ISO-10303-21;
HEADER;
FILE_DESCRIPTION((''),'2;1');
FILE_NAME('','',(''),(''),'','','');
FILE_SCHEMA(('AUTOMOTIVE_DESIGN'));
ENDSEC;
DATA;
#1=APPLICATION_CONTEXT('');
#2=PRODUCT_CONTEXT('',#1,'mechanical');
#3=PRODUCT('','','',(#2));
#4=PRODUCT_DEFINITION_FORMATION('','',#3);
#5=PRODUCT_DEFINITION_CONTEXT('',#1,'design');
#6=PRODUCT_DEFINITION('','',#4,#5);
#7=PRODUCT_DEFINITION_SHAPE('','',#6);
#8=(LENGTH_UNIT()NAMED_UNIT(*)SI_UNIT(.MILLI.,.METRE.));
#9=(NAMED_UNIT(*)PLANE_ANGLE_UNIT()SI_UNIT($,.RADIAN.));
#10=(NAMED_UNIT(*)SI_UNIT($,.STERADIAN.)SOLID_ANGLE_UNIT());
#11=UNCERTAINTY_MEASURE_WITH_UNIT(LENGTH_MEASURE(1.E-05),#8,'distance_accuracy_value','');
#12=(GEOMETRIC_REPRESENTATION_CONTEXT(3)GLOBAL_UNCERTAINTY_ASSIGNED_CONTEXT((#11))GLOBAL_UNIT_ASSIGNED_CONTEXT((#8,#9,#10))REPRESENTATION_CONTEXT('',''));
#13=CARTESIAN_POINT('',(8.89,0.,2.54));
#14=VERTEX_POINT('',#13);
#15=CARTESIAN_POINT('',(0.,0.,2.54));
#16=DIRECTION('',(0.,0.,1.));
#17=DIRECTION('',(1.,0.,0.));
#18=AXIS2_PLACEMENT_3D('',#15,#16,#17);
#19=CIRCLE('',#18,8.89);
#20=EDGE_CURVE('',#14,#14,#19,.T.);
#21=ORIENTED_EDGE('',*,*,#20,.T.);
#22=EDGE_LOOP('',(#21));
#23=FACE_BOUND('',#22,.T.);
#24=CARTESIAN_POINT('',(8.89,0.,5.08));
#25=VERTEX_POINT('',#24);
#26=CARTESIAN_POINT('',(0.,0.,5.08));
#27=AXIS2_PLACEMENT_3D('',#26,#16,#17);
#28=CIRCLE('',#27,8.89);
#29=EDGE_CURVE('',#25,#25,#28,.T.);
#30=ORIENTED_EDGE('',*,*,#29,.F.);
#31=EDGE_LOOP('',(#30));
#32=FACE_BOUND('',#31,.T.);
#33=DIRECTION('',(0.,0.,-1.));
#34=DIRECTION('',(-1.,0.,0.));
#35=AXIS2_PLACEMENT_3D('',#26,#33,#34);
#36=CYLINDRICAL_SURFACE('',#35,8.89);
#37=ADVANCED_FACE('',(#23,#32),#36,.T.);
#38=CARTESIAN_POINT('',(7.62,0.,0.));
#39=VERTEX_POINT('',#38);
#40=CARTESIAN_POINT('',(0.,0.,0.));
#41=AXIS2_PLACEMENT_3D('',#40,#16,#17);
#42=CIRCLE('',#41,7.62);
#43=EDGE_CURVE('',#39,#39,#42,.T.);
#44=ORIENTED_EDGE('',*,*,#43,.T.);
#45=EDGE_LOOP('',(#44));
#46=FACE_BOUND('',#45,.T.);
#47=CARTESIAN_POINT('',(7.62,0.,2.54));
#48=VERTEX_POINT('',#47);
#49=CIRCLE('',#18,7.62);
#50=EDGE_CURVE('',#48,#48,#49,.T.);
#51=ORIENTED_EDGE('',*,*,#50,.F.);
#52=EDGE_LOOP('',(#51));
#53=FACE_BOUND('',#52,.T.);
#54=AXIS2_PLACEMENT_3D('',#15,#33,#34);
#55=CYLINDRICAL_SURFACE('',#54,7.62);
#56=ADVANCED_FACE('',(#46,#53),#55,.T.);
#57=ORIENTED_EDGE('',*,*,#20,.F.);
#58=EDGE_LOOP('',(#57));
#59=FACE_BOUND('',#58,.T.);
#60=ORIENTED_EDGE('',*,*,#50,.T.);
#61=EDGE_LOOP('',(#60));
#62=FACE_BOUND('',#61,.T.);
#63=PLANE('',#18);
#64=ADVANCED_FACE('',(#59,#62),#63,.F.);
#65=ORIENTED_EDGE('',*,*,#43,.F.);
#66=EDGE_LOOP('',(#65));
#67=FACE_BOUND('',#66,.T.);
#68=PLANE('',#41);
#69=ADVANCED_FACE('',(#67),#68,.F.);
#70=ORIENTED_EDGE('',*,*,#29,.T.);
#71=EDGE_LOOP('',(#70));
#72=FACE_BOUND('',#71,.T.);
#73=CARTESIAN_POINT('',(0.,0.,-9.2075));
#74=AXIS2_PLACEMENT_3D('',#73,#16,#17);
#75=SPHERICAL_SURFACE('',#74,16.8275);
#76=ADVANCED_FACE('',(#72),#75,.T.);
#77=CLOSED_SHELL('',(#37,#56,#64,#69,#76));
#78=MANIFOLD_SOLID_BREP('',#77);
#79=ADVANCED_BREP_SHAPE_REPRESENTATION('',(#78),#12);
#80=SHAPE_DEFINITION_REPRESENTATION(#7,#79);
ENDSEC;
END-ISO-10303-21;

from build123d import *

# Parameters (mm, degrees)
SKETCH1_R         = 7.62
EXTRUDE1_DEPTH    = 2.54
SKETCH2_R         = 8.89
EXTRUDE2_DEPTH    = 2.54
DOME1_FACE_RADIUS = 8.89
DOME1_HEIGHT      = 2.54


with BuildPart() as part:
    # Sketch1 → Extrude1 (new body)
    with BuildSketch(Plane.XY):
        Circle(SKETCH1_R)
    extrude(amount=EXTRUDE1_DEPTH)

    # Sketch2 → Extrude2 (add)
    with BuildSketch(Plane.XY.offset(2.54)):
        Circle(SKETCH2_R)
    extrude(amount=EXTRUDE2_DEPTH)

    # Dome1: a dome of height H over a round flat face of radius A is a cap of a sphere of radius (A * A + H * H) / (2 * H)
    dome1_r = (DOME1_FACE_RADIUS * DOME1_FACE_RADIUS + DOME1_HEIGHT * DOME1_HEIGHT) / (2 * DOME1_HEIGHT)
    dome1_base = Plane((0, 0, 5.08), z_dir=(0, 0, 1))
    with Locations(dome1_base.offset(DOME1_HEIGHT - dome1_r)):
        dome1_ball = Sphere(dome1_r, mode=Mode.PRIVATE)
    add(split(dome1_ball, bisect_by=dome1_base, keep=Keep.TOP, mode=Mode.PRIVATE))


solid = part.part
